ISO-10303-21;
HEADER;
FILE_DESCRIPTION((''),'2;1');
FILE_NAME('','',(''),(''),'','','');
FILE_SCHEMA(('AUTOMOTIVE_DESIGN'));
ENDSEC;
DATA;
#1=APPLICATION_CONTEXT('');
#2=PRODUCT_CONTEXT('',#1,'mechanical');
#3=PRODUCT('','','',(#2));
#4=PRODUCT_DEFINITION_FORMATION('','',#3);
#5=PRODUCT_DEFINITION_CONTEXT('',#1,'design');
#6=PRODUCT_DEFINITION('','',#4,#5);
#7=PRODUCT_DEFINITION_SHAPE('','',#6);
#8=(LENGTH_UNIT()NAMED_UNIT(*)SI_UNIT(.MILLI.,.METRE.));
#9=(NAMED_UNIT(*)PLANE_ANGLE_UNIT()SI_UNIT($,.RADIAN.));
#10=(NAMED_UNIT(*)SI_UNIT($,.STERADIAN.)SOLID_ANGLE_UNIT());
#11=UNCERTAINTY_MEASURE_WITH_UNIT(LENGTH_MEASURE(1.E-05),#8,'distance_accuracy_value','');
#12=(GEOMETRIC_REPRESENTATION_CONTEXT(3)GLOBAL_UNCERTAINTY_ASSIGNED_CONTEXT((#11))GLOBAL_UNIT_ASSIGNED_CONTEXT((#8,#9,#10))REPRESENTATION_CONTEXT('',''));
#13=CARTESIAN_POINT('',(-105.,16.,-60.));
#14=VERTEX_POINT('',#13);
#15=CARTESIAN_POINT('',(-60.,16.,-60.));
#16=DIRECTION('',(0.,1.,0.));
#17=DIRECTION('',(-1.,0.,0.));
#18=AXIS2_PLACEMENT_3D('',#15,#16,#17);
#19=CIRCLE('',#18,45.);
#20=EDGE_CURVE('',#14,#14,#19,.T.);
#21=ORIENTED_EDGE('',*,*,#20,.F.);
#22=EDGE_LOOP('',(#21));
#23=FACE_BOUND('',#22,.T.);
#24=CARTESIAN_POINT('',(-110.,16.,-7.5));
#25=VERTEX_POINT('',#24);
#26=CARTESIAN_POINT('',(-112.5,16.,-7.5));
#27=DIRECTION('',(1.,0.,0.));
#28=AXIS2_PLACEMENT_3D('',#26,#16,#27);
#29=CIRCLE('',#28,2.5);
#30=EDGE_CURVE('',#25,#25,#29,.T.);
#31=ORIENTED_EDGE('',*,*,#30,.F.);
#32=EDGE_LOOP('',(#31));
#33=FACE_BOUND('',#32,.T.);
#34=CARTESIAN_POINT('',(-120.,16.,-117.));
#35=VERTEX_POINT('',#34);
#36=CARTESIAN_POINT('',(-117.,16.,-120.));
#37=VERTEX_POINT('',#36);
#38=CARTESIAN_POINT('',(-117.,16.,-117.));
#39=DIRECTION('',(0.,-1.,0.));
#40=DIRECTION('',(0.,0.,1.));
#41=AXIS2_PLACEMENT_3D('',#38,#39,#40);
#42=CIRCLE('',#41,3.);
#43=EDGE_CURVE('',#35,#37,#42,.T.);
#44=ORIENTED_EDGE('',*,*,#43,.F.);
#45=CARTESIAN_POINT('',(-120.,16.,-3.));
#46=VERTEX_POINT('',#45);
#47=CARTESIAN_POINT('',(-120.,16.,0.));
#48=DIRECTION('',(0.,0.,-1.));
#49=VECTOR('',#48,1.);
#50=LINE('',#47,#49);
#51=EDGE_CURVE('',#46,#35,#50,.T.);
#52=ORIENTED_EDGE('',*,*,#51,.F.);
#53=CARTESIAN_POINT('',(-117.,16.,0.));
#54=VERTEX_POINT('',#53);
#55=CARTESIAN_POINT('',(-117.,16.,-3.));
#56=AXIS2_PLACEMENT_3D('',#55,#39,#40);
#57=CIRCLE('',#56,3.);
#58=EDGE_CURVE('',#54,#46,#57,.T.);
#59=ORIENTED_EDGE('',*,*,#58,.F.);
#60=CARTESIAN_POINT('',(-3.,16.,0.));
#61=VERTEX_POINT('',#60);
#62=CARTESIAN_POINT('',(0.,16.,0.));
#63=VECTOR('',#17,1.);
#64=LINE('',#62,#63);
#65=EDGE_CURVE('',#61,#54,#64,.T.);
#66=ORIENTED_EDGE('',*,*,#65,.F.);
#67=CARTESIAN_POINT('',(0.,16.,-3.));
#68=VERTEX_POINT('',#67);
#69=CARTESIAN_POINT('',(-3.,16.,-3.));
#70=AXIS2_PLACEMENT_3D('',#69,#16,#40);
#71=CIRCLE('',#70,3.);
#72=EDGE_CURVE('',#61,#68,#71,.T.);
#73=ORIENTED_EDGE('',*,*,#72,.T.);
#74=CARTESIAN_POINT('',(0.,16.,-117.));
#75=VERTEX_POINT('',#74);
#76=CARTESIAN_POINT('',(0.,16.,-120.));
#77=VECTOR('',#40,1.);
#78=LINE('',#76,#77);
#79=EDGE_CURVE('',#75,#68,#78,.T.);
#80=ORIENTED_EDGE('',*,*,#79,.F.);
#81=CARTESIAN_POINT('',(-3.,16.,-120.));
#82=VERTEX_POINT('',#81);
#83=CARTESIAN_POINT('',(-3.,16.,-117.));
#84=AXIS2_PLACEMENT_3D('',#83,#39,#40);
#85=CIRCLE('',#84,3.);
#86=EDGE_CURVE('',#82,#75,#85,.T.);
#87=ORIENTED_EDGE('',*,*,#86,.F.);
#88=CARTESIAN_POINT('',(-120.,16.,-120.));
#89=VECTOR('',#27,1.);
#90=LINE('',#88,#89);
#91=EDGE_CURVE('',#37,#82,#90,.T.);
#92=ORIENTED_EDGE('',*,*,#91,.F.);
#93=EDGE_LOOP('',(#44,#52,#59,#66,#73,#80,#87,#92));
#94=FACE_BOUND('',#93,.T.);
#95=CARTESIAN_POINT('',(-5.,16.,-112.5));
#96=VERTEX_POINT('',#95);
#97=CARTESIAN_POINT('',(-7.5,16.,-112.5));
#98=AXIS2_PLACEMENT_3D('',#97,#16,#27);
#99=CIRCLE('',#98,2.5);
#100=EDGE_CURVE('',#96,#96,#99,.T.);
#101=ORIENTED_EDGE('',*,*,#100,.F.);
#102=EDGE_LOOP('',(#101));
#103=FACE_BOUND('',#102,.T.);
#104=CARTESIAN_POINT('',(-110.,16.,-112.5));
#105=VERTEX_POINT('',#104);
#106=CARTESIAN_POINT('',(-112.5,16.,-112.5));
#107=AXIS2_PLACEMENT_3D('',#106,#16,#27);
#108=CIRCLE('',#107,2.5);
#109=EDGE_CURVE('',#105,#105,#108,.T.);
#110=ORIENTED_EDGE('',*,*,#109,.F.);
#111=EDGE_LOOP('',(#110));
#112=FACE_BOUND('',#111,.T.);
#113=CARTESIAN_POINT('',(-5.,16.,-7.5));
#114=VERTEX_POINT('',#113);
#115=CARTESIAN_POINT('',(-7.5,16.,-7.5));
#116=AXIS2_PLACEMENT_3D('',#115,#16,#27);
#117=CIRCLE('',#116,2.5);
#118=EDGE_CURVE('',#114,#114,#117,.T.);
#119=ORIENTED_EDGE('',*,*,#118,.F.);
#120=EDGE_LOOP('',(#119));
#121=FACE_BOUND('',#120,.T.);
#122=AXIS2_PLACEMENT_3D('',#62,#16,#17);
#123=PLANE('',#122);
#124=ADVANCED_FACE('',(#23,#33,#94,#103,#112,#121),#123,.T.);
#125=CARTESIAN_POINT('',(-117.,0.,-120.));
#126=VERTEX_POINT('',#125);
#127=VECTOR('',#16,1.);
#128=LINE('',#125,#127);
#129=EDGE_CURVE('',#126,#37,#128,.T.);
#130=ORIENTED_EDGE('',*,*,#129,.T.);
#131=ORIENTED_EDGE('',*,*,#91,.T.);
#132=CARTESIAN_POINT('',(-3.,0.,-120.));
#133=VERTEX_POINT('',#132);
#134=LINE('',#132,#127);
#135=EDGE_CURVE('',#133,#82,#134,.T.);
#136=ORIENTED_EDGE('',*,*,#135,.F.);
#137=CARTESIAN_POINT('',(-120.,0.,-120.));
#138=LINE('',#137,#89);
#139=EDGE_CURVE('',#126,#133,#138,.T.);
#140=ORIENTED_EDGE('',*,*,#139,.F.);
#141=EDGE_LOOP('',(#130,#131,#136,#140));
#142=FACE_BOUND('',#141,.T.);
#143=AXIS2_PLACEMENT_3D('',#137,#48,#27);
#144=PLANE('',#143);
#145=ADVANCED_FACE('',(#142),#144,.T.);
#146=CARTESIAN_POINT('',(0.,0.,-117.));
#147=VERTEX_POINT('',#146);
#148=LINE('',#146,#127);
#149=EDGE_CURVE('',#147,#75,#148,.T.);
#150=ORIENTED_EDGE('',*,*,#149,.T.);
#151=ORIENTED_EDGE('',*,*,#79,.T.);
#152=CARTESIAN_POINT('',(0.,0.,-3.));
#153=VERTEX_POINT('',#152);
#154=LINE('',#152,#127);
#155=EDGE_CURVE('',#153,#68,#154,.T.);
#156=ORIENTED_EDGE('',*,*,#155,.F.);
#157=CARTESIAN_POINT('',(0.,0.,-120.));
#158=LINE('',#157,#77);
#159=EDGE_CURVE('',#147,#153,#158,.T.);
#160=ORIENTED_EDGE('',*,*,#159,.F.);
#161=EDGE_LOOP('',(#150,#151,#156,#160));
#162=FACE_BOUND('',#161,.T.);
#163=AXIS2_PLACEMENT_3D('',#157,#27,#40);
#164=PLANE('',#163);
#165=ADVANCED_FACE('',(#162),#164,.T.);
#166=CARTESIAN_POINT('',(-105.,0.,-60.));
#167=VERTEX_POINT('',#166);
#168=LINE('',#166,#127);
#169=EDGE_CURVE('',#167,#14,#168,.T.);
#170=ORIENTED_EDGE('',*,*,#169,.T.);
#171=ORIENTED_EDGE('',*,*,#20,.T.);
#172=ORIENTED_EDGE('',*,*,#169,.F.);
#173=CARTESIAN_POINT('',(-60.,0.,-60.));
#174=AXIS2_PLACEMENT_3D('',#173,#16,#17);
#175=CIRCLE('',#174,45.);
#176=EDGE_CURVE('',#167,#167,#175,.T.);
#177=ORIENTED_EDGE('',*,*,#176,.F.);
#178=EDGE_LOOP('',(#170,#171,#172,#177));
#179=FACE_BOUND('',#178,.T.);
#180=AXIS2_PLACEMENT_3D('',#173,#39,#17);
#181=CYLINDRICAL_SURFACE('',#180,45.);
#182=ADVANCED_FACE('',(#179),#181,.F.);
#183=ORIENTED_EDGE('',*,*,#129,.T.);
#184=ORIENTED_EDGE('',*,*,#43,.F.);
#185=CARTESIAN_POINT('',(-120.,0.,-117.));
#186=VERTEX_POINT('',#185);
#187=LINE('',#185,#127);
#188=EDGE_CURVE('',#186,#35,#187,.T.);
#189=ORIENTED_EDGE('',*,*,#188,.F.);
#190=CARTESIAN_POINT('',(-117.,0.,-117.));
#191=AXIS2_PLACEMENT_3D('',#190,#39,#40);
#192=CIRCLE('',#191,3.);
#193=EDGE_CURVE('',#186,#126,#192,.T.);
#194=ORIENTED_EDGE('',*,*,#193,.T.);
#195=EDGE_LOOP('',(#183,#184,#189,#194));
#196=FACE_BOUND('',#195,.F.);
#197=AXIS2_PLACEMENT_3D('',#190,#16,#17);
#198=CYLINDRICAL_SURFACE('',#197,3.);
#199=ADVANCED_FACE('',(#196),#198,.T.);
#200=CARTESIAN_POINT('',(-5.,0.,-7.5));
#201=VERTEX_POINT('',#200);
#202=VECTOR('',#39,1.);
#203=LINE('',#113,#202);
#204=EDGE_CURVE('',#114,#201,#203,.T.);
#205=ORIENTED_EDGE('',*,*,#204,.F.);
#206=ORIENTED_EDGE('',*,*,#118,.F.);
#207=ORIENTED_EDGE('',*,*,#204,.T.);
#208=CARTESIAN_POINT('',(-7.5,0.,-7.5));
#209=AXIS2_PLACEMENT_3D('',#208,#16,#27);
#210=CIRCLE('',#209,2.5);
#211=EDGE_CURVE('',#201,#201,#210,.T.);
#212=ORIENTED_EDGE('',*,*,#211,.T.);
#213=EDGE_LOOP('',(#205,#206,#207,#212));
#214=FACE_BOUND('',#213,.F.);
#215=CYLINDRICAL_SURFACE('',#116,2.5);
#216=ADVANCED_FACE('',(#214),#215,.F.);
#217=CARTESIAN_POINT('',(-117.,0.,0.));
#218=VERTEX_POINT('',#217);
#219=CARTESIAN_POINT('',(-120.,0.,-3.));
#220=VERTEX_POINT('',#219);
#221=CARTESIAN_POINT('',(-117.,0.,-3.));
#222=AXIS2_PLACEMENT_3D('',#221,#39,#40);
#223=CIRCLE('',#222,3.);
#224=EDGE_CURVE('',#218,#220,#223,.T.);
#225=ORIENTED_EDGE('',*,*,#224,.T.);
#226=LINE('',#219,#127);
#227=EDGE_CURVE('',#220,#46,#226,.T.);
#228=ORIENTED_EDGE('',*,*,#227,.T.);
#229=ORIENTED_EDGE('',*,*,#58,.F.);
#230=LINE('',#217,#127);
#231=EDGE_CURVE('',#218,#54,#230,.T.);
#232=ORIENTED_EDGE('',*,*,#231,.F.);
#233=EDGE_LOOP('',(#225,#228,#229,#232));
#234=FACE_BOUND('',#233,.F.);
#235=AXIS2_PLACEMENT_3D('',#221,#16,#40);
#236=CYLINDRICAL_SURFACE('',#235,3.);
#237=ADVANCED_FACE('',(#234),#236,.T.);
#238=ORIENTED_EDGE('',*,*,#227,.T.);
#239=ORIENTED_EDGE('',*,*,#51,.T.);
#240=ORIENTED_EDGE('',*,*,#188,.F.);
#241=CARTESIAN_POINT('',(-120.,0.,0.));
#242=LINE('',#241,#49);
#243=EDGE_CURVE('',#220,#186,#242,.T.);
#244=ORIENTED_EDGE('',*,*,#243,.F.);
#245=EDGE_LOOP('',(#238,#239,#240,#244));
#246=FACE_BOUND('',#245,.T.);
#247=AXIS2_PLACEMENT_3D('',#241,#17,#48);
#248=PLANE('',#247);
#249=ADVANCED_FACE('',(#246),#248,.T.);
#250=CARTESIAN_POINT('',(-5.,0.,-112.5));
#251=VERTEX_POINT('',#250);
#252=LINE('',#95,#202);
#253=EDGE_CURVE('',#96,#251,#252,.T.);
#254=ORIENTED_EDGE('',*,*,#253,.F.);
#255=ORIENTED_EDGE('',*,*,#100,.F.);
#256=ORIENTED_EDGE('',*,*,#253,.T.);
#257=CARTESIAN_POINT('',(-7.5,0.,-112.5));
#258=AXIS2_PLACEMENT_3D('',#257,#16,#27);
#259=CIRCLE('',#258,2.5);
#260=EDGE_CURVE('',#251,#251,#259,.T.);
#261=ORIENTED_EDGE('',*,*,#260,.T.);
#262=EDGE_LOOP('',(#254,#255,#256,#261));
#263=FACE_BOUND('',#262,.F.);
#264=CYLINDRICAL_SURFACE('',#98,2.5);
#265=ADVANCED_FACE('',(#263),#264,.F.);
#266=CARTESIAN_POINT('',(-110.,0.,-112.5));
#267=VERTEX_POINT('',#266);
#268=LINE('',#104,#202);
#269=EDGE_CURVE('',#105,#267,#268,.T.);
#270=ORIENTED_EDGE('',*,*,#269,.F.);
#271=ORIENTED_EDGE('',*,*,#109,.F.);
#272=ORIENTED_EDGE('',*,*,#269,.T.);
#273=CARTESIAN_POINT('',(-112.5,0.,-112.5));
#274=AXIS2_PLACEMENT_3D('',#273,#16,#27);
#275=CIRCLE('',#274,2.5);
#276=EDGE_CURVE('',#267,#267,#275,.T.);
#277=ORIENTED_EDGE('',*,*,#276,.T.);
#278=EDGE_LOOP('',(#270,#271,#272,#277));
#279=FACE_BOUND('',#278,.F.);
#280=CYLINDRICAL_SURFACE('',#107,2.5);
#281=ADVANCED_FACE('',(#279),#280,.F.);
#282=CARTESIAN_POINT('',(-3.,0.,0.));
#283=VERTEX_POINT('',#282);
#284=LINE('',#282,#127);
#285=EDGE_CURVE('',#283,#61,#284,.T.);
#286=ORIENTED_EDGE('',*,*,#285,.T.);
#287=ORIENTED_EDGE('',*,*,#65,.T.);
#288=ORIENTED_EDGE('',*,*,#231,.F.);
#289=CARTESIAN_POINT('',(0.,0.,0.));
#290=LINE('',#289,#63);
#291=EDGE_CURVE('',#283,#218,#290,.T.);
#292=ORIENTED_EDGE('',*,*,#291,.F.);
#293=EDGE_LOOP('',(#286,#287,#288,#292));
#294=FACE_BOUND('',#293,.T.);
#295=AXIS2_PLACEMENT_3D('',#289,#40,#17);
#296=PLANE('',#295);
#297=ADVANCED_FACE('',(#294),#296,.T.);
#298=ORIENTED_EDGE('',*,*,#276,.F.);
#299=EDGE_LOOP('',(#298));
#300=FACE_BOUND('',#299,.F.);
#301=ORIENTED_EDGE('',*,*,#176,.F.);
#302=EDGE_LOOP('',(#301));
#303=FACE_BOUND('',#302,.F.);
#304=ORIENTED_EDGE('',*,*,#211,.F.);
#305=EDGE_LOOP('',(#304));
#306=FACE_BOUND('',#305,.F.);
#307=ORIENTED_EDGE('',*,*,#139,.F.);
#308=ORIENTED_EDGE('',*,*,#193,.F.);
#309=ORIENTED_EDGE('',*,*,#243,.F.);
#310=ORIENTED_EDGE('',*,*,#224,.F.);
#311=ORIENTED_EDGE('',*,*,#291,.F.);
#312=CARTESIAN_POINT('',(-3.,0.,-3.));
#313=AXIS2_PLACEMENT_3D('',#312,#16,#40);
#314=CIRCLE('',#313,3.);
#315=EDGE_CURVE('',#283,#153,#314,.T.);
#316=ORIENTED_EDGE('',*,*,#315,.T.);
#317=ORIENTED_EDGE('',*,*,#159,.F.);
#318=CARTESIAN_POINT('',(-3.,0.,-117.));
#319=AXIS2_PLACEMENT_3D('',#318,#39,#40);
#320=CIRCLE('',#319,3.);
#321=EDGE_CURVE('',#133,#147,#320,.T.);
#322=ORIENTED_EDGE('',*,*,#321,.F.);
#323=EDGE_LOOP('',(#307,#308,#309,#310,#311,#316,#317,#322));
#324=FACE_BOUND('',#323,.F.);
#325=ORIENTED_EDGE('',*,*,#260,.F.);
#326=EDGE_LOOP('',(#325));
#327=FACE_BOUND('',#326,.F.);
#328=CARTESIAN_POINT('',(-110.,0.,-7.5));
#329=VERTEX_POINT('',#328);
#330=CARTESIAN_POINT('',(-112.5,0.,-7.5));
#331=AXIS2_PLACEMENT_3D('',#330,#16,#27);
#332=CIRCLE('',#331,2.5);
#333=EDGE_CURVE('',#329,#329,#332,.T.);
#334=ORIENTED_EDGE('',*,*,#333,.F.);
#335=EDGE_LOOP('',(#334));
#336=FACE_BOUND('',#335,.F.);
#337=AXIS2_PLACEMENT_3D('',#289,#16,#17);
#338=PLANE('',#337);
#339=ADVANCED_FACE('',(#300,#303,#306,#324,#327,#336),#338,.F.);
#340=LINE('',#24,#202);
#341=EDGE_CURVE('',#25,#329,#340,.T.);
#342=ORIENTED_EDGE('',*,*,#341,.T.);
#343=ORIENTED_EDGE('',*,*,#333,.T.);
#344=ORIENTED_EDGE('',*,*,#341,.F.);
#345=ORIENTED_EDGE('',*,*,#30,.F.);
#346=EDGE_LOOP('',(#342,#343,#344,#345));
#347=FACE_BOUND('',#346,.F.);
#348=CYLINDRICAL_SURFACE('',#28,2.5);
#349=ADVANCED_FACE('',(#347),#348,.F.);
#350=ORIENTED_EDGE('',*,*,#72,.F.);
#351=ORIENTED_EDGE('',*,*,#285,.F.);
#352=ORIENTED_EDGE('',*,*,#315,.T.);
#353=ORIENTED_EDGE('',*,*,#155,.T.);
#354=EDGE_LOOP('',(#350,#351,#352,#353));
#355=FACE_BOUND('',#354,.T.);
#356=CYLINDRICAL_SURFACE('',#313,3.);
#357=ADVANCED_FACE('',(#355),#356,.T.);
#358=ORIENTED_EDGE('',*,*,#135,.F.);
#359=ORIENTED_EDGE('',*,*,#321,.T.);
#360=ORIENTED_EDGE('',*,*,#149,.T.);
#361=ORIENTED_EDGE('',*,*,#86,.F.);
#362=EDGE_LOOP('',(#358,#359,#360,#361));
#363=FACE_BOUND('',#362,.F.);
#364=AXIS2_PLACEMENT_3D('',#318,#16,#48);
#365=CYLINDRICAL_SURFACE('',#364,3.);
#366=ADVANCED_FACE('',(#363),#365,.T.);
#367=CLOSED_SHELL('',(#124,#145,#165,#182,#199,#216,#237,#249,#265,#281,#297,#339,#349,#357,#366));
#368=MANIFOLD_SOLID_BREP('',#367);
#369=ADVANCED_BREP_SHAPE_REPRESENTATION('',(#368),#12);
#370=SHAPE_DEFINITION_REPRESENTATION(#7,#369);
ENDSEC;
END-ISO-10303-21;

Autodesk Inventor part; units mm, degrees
ref_plane "YZ Plane" through (0, 0, 0) normal (1, 0, 0) x (0, 1, 0)
ref_plane "XZ Plane" through (0, 0, 0) normal (0, 1, 0) x (-1, 0, 0)
ref_plane "XY Plane" through (0, 0, 0) normal (0, 0, 1) x (1, 0, 0)
sketch "Эскиз1" plane through (0, 0, 0) normal (0, 1, 0) x (-1, 0, 0)
  line L0 (0, 0) -> (120, 0)
  line L1 (120, 0) -> (120, -120)
  line L2 (120, -120) -> (0, -120)
  line L3 (0, -120) -> (0, 0)
  dimension "d0" = 120
  dimension "d1" = 120
sketch "Эскиз2" plane through (0, 0, 0) normal (0, 1, 0) x (-1, 0, 0)
  circle A0 centre (60, -60) radius 45
  point P0 (0, 0)
  dimension "d2" = 90
  dimension "d3" = 60
  dimension "d4" = 60
extrude "Выдавливание1" add sketch "Эскиз1" along normal blind 16
fillet "Сопряжение1" radius 3 4 edges at (-120, 8, 0) (0, 8, 0) (0, 8, -120) (-120, 8, -120)
extrude "Выдавливание2" cut sketch "Эскиз2" along normal blind 16
sketch "Эскиз3" plane through (0, 16, 0) normal (0, 1, 0) x (1, 0, 0)
  circle A0 centre (-112.5, 7.5) radius 2.5
  circle A1 centre (-7.5, 7.5) radius 2.5
  circle A2 centre (-7.5, 112.5) radius 2.5
  circle A3 centre (-112.5, 112.5) radius 2.5
  line L0 (0, 3) -> (0, 117) projected
  point P0 (0, 0)
  dimension "d10" = 5
  dimension "d11" = 5
  dimension "d12" = 5
  dimension "d13" = 5
  dimension "d14" = 112.5
  dimension "d15" = 7.5
  dimension "d16" = 7.5
  dimension "d17" = 7.5
  dimension "d18" = 105
  dimension "d19" = 7.5
  dimension "d20" = 105
  dimension "d21" = 105
extrude "Выдавливание3" cut sketch "Эскиз3" against normal blind 16
properties part number "NoctuaNF-A12x15"
